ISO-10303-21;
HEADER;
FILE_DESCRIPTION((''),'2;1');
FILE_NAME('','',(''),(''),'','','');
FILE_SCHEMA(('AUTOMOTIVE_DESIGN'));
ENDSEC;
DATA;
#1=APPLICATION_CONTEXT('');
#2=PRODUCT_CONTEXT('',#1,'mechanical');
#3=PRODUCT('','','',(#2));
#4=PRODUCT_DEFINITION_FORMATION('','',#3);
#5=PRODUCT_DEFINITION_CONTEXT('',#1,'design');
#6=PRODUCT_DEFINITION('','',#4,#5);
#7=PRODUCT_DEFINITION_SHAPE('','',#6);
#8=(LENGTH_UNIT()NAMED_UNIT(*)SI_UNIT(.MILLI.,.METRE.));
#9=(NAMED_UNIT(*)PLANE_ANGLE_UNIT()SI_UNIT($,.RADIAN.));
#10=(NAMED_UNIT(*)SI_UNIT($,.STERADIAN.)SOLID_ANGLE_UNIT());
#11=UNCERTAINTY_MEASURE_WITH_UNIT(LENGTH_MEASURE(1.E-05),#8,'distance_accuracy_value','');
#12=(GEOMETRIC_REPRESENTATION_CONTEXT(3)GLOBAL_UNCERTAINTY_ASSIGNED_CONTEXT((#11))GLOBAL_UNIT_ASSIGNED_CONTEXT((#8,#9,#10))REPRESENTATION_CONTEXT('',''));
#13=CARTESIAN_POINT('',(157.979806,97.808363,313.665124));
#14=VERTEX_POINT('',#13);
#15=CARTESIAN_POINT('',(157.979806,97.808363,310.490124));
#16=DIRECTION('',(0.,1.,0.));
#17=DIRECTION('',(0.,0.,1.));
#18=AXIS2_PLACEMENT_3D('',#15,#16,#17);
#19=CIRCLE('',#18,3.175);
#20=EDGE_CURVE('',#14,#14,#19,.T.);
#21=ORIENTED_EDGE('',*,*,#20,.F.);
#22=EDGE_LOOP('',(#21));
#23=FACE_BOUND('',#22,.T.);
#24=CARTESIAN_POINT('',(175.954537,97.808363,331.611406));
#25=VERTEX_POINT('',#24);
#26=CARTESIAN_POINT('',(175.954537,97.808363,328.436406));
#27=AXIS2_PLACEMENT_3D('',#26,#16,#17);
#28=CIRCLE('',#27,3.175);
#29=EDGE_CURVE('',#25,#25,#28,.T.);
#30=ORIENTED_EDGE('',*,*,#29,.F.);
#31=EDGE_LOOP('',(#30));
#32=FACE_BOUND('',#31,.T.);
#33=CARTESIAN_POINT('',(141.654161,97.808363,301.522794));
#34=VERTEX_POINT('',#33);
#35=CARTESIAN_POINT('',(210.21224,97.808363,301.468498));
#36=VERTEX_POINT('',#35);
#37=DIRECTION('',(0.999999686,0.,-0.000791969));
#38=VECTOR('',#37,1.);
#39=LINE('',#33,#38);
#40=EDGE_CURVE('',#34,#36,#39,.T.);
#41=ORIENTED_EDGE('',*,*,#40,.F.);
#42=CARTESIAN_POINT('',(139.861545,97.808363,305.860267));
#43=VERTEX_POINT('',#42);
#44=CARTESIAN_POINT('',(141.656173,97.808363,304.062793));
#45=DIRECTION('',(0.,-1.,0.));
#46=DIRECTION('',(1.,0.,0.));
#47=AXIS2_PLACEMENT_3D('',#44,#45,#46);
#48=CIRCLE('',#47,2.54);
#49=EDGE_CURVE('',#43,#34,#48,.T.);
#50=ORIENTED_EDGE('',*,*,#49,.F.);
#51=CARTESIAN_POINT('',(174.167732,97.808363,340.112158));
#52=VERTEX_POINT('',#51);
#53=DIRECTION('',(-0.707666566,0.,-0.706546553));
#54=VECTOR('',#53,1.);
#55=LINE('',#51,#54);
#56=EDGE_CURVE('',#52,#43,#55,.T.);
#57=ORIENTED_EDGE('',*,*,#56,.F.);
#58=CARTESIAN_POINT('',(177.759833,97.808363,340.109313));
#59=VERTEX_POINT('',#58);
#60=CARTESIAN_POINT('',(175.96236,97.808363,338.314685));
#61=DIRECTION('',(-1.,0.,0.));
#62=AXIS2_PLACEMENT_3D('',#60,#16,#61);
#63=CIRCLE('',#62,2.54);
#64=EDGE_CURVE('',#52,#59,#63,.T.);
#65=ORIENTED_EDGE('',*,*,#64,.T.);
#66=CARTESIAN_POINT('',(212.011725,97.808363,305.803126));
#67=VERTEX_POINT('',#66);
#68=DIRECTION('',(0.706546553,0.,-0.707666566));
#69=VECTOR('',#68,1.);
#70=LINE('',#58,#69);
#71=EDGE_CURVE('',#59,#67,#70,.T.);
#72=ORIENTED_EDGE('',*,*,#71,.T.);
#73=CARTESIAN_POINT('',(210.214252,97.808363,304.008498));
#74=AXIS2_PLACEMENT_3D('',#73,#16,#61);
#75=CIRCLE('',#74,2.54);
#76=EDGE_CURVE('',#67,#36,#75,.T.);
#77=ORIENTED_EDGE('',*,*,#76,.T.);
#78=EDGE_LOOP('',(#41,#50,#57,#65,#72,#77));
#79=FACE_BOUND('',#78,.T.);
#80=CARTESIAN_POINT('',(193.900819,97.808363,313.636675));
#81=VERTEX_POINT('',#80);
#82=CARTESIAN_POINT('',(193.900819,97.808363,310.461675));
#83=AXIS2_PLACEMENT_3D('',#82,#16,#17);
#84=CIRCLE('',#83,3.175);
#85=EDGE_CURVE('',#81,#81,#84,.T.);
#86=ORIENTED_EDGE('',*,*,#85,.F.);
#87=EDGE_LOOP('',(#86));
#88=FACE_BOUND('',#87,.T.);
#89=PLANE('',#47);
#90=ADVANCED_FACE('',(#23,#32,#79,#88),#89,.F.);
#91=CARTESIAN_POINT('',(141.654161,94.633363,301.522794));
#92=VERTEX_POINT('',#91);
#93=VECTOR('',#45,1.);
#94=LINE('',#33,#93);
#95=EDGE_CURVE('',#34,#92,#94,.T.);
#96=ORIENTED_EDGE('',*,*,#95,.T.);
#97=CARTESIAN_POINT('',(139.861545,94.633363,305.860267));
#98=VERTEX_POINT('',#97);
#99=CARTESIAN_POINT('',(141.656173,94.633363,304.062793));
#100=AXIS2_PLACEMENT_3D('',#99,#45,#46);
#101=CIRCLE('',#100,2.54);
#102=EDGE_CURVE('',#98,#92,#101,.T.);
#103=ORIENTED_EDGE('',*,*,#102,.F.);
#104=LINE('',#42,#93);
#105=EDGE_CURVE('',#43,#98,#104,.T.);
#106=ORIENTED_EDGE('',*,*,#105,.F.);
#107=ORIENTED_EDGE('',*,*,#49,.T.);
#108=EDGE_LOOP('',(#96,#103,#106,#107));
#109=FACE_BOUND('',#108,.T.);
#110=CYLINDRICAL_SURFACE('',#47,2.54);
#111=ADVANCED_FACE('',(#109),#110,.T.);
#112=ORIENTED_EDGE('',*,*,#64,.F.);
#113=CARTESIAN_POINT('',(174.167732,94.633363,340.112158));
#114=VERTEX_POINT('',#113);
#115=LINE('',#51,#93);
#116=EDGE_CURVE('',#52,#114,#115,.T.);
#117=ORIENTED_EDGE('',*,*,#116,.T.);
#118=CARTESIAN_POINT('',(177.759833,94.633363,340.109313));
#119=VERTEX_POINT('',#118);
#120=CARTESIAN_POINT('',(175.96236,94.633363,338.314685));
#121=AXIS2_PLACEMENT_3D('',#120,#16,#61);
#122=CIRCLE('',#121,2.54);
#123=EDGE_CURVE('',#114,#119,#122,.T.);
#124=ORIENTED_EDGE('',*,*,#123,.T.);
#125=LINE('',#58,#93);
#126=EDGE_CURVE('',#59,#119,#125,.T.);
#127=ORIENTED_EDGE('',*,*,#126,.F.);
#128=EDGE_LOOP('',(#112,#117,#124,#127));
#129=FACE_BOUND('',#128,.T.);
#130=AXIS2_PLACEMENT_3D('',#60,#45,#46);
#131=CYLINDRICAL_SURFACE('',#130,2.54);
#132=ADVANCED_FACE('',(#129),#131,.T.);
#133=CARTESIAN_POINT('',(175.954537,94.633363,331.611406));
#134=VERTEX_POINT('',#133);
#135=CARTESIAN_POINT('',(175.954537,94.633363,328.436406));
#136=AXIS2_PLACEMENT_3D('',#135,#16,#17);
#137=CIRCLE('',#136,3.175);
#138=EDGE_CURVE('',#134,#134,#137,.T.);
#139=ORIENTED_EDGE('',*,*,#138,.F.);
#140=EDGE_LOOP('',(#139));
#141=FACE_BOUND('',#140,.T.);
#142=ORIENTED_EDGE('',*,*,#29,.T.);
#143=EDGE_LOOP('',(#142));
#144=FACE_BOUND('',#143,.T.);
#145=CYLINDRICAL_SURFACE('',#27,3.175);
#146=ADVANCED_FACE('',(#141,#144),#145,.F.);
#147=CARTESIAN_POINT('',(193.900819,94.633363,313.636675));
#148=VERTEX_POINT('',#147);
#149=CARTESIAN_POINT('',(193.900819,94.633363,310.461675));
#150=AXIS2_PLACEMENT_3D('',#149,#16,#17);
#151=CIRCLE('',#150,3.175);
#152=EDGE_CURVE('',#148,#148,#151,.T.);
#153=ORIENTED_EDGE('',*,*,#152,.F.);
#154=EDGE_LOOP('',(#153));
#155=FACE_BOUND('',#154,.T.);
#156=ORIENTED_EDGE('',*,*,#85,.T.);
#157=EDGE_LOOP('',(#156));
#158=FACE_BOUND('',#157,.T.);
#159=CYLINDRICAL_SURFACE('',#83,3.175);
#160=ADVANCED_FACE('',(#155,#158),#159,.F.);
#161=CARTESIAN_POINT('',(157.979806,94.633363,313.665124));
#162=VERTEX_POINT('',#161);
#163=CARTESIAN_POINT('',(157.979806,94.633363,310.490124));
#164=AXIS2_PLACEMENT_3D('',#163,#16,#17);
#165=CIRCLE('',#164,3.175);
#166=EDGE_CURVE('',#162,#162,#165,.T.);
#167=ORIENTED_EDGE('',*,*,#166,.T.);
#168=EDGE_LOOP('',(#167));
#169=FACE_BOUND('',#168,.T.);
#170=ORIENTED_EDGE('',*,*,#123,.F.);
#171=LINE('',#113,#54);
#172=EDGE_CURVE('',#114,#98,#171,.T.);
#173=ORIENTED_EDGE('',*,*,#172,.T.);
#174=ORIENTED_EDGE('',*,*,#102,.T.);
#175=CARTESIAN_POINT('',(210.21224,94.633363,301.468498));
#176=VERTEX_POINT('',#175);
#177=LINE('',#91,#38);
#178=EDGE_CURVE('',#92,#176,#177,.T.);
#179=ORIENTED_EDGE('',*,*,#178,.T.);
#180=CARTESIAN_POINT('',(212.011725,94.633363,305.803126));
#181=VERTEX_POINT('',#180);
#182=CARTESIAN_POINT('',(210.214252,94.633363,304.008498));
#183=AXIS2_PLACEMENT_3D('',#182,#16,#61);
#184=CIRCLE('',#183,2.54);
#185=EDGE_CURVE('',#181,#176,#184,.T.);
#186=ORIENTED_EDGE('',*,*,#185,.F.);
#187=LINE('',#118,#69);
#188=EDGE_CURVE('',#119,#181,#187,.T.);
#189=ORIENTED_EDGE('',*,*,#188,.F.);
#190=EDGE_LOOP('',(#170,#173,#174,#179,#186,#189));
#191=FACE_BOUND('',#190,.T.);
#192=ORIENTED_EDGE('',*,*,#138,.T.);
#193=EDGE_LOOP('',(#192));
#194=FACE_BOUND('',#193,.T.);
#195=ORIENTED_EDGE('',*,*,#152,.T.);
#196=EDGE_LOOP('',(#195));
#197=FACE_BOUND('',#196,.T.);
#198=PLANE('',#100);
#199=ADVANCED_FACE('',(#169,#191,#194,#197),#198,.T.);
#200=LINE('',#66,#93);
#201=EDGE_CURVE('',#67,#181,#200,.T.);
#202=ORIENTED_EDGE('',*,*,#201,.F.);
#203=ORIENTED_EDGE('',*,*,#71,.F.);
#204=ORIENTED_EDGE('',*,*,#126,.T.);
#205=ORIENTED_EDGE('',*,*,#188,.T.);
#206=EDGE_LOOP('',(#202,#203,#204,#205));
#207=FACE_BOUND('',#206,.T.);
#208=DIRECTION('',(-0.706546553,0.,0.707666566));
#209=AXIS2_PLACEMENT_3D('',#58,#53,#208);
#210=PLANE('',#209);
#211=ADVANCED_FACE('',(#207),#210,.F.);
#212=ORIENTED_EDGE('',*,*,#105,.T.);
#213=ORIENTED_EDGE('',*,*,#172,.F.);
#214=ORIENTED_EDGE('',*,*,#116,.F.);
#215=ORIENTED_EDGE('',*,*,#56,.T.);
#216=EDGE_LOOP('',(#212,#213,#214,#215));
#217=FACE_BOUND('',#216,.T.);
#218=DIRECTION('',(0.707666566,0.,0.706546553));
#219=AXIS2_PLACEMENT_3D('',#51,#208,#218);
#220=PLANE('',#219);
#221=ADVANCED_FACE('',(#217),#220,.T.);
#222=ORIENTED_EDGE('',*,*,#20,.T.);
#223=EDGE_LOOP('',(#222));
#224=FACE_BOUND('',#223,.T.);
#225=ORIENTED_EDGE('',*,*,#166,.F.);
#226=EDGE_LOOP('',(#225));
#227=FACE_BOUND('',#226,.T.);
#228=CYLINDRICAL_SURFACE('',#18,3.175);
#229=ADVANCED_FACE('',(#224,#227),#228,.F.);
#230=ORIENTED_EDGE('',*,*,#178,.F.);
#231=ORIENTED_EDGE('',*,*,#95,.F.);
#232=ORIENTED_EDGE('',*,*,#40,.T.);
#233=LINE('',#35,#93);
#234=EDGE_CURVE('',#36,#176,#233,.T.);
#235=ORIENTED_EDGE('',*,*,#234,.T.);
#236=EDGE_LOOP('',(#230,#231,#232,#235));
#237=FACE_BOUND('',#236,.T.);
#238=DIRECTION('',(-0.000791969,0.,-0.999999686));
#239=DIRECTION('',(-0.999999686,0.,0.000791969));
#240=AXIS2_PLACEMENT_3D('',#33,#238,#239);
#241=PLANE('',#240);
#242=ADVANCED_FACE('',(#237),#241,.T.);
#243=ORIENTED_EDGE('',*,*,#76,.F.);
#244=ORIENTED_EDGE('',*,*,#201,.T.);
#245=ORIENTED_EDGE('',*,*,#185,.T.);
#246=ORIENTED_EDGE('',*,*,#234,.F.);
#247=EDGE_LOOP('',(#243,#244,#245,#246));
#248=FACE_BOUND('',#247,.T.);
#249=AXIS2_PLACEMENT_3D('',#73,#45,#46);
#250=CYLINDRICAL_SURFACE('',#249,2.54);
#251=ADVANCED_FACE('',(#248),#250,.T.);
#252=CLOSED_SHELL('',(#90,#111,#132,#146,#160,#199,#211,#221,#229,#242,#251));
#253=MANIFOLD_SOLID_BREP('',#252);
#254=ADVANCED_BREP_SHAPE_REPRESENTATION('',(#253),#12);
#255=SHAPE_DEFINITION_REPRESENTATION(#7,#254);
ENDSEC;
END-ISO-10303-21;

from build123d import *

# Parameters (mm, degrees)
BOSS_EXTRUDE1_DEPTH         = 3.175
F_1_4_0_25_DIAMETER_HOLE1_D = 6.35


with BuildPart() as part:
    # Outline → Boss-Extrude1 (new body)
    with BuildSketch(Plane(origin=(0, 94.633362877, 0), x_dir=(1, 0, 0), z_dir=(0, 1, 0))):
        with BuildLine():
            Line((177.759833239, -340.109313119), (212.01172464, -305.803125827))
            ThreePointArc((212.01172464, -305.803125827), (212.560135032, -303.034623493), (210.212239961, -301.46849838))
            Line((210.212239961, -301.46849838), (141.654161268, -301.522794271))
            ThreePointArc((141.654161268, -301.522794271), (139.308749787, -303.092636338), (139.861544626, -305.860266552))
            Line((139.861544626, -305.860266552), (174.167731917, -340.112157953))
            ThreePointArc((174.167731917, -340.112157953), (175.964371763, -340.854684078), (177.759833239, -340.109313119))
        make_face()
    extrude(amount=BOSS_EXTRUDE1_DEPTH)

    # 1/4 (0.25) Diameter Hole1 (through all)
    with Locations(Plane(origin=(0, 97.808362877, 0), x_dir=(1, 0, 0), z_dir=(0, 1, 0))):
        with Locations((157.97980609, -310.490123799), (175.954536868, -328.43640624), (193.900819309, -310.461675461)):
            Hole(F_1_4_0_25_DIAMETER_HOLE1_D / 2)


solid = part.part
